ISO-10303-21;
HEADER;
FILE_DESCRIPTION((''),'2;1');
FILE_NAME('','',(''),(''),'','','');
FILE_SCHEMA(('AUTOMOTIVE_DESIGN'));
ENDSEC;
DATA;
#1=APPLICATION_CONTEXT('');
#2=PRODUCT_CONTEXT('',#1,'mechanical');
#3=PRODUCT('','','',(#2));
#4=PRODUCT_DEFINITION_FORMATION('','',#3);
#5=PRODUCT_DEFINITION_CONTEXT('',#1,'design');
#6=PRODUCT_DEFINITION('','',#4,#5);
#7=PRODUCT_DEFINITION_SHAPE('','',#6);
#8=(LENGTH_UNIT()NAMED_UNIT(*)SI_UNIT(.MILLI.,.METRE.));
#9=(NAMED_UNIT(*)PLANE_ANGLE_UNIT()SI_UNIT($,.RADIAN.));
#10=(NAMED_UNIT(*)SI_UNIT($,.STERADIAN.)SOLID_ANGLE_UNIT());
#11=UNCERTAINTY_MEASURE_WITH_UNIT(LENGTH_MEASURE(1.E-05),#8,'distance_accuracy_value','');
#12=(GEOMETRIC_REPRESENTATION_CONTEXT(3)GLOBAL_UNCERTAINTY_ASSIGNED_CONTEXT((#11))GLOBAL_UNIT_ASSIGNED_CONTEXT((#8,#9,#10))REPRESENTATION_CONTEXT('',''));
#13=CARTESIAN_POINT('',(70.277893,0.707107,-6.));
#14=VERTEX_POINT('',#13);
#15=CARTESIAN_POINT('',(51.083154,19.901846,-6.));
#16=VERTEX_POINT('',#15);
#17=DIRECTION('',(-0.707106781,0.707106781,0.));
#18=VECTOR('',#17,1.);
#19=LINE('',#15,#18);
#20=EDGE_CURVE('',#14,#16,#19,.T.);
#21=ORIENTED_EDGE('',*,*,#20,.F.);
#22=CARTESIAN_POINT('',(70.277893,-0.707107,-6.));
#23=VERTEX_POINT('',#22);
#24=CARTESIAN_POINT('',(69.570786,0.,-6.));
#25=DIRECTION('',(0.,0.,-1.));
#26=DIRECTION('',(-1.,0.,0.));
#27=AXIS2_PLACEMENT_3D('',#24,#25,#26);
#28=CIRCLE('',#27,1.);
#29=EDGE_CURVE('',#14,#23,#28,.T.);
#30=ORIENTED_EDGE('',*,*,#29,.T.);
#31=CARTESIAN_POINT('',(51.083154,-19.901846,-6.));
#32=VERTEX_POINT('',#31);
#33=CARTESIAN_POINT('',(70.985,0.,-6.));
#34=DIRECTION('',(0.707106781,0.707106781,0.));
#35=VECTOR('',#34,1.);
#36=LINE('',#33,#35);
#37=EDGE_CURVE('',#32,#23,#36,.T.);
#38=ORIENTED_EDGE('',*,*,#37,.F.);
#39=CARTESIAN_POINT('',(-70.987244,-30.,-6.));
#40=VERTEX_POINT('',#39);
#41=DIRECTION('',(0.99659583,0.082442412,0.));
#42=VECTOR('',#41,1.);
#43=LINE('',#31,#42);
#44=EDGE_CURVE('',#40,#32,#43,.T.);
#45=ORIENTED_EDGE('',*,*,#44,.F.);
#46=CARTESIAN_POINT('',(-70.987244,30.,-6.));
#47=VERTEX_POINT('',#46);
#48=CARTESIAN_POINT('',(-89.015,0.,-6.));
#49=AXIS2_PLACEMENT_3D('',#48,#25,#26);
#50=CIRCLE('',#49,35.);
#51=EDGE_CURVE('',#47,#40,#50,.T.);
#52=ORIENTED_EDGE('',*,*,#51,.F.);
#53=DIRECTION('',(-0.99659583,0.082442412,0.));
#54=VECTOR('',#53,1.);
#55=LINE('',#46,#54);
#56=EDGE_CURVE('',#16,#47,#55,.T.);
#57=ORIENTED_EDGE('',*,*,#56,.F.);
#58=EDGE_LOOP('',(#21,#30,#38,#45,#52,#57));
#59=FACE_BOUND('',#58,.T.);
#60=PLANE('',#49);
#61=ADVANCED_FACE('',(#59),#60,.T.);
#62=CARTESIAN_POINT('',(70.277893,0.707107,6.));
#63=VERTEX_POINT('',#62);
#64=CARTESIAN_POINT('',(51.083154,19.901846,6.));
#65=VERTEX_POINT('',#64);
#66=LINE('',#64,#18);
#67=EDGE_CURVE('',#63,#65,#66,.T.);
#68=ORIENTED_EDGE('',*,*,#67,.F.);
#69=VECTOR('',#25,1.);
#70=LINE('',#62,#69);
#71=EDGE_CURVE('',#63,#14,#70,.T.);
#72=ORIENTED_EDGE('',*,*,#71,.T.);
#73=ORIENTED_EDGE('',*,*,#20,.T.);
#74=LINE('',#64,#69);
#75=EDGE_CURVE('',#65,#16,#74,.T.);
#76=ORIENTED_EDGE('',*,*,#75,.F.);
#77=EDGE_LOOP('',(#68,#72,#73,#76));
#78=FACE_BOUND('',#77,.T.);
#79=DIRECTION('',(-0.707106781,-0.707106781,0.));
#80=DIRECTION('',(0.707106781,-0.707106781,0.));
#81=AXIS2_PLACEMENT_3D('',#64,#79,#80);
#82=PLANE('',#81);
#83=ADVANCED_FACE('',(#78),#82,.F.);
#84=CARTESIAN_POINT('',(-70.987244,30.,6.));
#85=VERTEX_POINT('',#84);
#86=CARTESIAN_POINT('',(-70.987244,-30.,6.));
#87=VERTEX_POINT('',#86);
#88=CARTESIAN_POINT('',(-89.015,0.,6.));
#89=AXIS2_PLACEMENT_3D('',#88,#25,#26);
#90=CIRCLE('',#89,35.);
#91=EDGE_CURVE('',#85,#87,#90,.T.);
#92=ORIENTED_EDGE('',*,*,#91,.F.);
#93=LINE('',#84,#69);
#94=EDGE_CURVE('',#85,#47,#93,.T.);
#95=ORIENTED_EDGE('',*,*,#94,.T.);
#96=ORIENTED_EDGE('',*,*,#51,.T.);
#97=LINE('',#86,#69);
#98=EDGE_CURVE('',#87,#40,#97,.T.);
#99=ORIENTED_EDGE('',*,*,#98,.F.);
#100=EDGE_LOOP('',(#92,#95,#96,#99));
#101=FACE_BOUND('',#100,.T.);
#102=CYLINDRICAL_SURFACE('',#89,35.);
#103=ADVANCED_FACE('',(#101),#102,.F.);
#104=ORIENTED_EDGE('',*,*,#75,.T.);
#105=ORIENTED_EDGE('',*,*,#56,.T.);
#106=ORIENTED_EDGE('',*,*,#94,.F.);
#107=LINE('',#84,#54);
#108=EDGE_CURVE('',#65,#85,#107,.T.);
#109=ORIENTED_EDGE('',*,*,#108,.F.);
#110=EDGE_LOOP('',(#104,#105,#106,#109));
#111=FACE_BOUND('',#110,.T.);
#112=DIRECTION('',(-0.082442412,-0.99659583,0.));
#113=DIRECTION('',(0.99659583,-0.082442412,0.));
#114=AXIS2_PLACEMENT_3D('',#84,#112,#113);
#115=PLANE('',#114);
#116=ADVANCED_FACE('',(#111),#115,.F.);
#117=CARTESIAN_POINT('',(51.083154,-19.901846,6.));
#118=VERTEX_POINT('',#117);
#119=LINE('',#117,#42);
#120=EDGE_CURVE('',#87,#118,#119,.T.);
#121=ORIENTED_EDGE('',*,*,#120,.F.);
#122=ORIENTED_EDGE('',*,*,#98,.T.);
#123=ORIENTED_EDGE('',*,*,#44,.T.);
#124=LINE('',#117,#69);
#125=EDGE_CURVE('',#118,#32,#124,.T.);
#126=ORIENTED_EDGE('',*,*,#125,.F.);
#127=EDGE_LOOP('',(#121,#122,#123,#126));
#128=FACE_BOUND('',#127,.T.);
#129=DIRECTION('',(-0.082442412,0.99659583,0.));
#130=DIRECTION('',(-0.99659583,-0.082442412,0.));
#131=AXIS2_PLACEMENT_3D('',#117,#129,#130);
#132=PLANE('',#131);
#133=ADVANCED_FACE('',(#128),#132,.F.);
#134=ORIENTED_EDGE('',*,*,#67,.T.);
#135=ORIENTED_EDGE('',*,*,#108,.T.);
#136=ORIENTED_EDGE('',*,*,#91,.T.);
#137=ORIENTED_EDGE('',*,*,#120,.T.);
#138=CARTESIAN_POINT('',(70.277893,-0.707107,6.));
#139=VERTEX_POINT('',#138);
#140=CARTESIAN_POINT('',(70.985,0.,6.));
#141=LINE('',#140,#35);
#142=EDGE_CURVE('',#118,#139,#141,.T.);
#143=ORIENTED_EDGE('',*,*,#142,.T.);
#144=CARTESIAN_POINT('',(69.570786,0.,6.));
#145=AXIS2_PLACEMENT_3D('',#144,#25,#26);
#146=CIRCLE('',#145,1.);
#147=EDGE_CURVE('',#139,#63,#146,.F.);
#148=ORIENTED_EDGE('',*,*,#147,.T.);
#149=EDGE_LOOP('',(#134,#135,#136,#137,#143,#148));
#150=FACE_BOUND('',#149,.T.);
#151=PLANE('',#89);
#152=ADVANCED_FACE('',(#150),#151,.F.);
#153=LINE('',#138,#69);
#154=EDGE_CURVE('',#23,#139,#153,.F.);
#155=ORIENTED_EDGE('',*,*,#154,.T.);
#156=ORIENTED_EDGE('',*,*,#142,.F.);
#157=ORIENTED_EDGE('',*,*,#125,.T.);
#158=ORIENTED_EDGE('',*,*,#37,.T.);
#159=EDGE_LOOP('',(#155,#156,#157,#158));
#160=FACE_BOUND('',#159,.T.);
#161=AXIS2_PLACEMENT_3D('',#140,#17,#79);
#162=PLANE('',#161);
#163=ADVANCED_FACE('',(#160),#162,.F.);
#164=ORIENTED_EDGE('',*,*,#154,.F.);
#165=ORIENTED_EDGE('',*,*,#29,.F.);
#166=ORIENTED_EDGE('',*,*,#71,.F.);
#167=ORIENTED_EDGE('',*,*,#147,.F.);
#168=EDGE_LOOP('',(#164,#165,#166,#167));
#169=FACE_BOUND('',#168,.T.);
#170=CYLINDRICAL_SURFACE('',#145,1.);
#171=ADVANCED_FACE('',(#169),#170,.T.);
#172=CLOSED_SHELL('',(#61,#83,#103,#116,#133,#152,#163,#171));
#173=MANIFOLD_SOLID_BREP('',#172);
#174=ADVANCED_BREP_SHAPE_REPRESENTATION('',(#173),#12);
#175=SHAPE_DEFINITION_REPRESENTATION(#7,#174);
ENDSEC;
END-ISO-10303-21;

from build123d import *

# Parameters (mm, degrees)
BOSS_EXTRUDE1_DEPTH = 6
FILLET1_R           = 1


with BuildPart() as part:
    # Sketch1 → Boss-Extrude1 (new, symmetric)
    with BuildSketch(Plane.XY):
        with BuildLine():
            Line((51.083153784, -19.901846216), (-70.987243623, -30))
            ThreePointArc((-70.987243623, -30), (-54.015, 0), (-70.987243623, 30))
            Line((-70.987243623, 30), (51.083153784, 19.901846216))
            Line((51.083153784, 19.901846216), (70.985, 0))
            Line((70.985, 0), (51.083153784, -19.901846216))
        make_face()
    extrude(amount=BOSS_EXTRUDE1_DEPTH, both=True)

    # Fillet1
    fillet1_edges = [part.edges().sort_by_distance(p)[0] for p in [
        (70.985, 0, 0),
    ]]
    fillet(fillet1_edges, radius=FILLET1_R)


solid = part.part
